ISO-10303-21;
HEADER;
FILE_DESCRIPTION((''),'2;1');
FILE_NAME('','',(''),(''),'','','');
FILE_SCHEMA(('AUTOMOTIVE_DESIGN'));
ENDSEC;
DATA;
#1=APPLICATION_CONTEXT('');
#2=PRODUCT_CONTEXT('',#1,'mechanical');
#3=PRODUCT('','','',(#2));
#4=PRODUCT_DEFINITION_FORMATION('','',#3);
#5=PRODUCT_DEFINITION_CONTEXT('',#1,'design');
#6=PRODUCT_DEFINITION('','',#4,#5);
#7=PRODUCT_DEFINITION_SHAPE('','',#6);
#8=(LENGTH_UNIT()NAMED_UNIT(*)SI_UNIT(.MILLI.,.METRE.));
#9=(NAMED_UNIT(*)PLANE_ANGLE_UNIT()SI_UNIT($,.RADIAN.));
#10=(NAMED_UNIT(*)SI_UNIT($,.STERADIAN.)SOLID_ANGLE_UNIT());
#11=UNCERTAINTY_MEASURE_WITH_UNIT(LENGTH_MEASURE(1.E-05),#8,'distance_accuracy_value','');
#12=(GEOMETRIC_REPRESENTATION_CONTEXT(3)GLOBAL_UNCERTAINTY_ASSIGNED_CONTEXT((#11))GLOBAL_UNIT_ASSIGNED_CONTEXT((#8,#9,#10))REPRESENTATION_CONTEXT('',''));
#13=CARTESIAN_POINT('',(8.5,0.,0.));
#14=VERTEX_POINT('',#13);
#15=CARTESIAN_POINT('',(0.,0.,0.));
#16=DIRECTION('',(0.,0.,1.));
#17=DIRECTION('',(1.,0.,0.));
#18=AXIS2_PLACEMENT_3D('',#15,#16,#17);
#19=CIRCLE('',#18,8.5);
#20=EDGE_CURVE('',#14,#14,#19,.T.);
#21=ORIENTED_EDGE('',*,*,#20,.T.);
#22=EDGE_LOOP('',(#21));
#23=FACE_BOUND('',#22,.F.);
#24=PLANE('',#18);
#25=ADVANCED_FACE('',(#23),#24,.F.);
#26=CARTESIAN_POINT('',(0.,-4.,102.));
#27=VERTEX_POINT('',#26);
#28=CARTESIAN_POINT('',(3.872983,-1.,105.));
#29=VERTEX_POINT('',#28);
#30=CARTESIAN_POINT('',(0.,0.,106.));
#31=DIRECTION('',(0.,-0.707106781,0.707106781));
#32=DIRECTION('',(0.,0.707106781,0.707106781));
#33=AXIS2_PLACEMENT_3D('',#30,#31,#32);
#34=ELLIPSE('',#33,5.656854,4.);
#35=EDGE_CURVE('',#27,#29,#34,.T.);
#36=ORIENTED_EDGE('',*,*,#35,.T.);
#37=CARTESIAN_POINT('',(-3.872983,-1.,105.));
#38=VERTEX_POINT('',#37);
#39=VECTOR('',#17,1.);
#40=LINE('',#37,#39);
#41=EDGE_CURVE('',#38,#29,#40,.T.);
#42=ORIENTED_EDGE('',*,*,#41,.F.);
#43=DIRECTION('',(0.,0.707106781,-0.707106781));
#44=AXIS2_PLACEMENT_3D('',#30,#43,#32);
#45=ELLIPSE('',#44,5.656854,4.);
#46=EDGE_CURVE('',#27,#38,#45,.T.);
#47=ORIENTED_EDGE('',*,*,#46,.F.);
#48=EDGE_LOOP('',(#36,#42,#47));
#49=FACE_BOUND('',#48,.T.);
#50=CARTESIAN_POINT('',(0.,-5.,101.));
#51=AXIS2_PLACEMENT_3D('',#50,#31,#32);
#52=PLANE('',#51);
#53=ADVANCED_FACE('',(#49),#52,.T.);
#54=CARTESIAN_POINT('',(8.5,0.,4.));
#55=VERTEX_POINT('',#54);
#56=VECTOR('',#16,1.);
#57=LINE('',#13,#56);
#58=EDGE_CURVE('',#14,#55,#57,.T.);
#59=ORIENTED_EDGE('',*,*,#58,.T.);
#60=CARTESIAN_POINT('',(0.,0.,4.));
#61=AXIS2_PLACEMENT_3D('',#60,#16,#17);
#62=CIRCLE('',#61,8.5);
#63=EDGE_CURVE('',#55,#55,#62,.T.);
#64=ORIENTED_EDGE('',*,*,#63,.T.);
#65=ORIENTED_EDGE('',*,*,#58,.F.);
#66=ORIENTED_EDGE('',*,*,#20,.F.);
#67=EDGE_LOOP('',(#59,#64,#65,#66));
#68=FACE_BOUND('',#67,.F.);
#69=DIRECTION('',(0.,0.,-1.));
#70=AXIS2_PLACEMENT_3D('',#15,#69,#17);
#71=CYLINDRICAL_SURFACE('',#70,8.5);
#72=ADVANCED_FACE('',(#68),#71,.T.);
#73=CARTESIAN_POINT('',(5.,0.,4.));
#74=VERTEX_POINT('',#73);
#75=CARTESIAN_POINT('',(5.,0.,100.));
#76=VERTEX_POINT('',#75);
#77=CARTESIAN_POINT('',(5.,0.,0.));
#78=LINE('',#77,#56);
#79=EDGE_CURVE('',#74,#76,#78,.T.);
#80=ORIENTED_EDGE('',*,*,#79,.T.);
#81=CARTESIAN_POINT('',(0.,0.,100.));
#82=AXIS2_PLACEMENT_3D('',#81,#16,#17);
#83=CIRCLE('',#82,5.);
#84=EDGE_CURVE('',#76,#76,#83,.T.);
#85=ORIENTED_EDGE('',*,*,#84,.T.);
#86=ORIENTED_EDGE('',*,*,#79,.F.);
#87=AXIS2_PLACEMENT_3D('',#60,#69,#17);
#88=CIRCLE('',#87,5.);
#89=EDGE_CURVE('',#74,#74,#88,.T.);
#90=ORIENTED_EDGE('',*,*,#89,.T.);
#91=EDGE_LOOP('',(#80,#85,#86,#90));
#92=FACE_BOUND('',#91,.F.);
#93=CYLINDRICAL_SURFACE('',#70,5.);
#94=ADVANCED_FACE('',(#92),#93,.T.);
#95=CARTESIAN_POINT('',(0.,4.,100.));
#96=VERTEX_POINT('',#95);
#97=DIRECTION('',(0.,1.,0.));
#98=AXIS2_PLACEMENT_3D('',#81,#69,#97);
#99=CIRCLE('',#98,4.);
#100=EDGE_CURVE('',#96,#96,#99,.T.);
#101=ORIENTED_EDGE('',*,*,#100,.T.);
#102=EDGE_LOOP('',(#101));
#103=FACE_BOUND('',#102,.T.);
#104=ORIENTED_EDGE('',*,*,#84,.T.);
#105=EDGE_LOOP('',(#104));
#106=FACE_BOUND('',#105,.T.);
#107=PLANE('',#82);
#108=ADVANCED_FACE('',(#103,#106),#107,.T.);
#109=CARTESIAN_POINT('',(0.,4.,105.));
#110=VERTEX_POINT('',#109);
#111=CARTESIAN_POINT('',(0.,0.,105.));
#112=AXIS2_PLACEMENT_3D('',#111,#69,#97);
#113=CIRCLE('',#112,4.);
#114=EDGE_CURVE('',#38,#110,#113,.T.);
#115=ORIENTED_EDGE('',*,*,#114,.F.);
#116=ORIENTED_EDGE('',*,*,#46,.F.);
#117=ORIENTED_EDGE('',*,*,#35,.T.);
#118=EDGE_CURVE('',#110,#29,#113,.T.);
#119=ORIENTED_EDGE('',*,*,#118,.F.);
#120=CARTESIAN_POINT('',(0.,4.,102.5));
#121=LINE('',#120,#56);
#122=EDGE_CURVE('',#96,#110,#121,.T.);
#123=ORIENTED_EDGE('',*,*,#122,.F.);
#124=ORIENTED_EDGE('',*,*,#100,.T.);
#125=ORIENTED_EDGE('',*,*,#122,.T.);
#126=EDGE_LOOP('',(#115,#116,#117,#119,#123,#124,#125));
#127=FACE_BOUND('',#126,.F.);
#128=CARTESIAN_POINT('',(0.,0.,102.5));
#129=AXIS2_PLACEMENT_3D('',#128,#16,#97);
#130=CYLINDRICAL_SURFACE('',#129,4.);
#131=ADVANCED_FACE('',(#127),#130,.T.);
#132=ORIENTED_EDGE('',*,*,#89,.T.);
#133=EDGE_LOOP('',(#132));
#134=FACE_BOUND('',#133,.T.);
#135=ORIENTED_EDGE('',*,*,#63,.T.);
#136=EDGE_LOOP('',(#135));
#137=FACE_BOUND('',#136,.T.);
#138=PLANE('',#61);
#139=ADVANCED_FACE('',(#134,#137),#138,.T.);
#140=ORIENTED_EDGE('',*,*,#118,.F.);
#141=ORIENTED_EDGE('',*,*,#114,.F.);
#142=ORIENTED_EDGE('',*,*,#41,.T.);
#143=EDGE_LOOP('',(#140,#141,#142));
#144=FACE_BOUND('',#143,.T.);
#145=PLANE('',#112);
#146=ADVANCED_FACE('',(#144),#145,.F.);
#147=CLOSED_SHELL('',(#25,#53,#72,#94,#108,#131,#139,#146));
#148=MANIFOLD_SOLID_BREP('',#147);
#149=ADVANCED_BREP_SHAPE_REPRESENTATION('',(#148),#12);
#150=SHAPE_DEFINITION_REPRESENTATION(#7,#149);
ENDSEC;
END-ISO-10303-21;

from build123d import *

# Parameters (mm, degrees)
F0_R          = 8.5
F1_DEPTH      = 4
F3_R          = 5
F4_DEPTH      = 100
F5_W          = 4
F5_H          = 5
F9_DEPTH      = 8.501
F9_DEPTH_BACK = 25


with BuildPart() as f1:
    # F0 (on Top) → F1 (new body)
    with BuildSketch(Plane.XY):
        Circle(F0_R)
    extrude(amount=F1_DEPTH)

    # F3 (on Top) → F4 (join)
    with BuildSketch(Plane.XY):
        Circle(F3_R)
    extrude(amount=F4_DEPTH)

    # F5 (on Right) → F6 (revolve)
    with BuildSketch(Plane.YZ):
        with Locations((2, 102.5)):
            Rectangle(F5_W, F5_H)
    revolve(axis=Axis((0, 0, 102.5), (0, 0, -1)))

    # F8 (on Right) → F9 (cut, two sides)
    with BuildSketch(Plane.YZ) as f9_sk:
        Polygon((0, 106), (-5, 106), (-5, 101), align=None)
    extrude(amount=-F9_DEPTH, mode=Mode.SUBTRACT)
    extrude(f9_sk.sketch, amount=F9_DEPTH_BACK, mode=Mode.SUBTRACT)


solid = f1.part
